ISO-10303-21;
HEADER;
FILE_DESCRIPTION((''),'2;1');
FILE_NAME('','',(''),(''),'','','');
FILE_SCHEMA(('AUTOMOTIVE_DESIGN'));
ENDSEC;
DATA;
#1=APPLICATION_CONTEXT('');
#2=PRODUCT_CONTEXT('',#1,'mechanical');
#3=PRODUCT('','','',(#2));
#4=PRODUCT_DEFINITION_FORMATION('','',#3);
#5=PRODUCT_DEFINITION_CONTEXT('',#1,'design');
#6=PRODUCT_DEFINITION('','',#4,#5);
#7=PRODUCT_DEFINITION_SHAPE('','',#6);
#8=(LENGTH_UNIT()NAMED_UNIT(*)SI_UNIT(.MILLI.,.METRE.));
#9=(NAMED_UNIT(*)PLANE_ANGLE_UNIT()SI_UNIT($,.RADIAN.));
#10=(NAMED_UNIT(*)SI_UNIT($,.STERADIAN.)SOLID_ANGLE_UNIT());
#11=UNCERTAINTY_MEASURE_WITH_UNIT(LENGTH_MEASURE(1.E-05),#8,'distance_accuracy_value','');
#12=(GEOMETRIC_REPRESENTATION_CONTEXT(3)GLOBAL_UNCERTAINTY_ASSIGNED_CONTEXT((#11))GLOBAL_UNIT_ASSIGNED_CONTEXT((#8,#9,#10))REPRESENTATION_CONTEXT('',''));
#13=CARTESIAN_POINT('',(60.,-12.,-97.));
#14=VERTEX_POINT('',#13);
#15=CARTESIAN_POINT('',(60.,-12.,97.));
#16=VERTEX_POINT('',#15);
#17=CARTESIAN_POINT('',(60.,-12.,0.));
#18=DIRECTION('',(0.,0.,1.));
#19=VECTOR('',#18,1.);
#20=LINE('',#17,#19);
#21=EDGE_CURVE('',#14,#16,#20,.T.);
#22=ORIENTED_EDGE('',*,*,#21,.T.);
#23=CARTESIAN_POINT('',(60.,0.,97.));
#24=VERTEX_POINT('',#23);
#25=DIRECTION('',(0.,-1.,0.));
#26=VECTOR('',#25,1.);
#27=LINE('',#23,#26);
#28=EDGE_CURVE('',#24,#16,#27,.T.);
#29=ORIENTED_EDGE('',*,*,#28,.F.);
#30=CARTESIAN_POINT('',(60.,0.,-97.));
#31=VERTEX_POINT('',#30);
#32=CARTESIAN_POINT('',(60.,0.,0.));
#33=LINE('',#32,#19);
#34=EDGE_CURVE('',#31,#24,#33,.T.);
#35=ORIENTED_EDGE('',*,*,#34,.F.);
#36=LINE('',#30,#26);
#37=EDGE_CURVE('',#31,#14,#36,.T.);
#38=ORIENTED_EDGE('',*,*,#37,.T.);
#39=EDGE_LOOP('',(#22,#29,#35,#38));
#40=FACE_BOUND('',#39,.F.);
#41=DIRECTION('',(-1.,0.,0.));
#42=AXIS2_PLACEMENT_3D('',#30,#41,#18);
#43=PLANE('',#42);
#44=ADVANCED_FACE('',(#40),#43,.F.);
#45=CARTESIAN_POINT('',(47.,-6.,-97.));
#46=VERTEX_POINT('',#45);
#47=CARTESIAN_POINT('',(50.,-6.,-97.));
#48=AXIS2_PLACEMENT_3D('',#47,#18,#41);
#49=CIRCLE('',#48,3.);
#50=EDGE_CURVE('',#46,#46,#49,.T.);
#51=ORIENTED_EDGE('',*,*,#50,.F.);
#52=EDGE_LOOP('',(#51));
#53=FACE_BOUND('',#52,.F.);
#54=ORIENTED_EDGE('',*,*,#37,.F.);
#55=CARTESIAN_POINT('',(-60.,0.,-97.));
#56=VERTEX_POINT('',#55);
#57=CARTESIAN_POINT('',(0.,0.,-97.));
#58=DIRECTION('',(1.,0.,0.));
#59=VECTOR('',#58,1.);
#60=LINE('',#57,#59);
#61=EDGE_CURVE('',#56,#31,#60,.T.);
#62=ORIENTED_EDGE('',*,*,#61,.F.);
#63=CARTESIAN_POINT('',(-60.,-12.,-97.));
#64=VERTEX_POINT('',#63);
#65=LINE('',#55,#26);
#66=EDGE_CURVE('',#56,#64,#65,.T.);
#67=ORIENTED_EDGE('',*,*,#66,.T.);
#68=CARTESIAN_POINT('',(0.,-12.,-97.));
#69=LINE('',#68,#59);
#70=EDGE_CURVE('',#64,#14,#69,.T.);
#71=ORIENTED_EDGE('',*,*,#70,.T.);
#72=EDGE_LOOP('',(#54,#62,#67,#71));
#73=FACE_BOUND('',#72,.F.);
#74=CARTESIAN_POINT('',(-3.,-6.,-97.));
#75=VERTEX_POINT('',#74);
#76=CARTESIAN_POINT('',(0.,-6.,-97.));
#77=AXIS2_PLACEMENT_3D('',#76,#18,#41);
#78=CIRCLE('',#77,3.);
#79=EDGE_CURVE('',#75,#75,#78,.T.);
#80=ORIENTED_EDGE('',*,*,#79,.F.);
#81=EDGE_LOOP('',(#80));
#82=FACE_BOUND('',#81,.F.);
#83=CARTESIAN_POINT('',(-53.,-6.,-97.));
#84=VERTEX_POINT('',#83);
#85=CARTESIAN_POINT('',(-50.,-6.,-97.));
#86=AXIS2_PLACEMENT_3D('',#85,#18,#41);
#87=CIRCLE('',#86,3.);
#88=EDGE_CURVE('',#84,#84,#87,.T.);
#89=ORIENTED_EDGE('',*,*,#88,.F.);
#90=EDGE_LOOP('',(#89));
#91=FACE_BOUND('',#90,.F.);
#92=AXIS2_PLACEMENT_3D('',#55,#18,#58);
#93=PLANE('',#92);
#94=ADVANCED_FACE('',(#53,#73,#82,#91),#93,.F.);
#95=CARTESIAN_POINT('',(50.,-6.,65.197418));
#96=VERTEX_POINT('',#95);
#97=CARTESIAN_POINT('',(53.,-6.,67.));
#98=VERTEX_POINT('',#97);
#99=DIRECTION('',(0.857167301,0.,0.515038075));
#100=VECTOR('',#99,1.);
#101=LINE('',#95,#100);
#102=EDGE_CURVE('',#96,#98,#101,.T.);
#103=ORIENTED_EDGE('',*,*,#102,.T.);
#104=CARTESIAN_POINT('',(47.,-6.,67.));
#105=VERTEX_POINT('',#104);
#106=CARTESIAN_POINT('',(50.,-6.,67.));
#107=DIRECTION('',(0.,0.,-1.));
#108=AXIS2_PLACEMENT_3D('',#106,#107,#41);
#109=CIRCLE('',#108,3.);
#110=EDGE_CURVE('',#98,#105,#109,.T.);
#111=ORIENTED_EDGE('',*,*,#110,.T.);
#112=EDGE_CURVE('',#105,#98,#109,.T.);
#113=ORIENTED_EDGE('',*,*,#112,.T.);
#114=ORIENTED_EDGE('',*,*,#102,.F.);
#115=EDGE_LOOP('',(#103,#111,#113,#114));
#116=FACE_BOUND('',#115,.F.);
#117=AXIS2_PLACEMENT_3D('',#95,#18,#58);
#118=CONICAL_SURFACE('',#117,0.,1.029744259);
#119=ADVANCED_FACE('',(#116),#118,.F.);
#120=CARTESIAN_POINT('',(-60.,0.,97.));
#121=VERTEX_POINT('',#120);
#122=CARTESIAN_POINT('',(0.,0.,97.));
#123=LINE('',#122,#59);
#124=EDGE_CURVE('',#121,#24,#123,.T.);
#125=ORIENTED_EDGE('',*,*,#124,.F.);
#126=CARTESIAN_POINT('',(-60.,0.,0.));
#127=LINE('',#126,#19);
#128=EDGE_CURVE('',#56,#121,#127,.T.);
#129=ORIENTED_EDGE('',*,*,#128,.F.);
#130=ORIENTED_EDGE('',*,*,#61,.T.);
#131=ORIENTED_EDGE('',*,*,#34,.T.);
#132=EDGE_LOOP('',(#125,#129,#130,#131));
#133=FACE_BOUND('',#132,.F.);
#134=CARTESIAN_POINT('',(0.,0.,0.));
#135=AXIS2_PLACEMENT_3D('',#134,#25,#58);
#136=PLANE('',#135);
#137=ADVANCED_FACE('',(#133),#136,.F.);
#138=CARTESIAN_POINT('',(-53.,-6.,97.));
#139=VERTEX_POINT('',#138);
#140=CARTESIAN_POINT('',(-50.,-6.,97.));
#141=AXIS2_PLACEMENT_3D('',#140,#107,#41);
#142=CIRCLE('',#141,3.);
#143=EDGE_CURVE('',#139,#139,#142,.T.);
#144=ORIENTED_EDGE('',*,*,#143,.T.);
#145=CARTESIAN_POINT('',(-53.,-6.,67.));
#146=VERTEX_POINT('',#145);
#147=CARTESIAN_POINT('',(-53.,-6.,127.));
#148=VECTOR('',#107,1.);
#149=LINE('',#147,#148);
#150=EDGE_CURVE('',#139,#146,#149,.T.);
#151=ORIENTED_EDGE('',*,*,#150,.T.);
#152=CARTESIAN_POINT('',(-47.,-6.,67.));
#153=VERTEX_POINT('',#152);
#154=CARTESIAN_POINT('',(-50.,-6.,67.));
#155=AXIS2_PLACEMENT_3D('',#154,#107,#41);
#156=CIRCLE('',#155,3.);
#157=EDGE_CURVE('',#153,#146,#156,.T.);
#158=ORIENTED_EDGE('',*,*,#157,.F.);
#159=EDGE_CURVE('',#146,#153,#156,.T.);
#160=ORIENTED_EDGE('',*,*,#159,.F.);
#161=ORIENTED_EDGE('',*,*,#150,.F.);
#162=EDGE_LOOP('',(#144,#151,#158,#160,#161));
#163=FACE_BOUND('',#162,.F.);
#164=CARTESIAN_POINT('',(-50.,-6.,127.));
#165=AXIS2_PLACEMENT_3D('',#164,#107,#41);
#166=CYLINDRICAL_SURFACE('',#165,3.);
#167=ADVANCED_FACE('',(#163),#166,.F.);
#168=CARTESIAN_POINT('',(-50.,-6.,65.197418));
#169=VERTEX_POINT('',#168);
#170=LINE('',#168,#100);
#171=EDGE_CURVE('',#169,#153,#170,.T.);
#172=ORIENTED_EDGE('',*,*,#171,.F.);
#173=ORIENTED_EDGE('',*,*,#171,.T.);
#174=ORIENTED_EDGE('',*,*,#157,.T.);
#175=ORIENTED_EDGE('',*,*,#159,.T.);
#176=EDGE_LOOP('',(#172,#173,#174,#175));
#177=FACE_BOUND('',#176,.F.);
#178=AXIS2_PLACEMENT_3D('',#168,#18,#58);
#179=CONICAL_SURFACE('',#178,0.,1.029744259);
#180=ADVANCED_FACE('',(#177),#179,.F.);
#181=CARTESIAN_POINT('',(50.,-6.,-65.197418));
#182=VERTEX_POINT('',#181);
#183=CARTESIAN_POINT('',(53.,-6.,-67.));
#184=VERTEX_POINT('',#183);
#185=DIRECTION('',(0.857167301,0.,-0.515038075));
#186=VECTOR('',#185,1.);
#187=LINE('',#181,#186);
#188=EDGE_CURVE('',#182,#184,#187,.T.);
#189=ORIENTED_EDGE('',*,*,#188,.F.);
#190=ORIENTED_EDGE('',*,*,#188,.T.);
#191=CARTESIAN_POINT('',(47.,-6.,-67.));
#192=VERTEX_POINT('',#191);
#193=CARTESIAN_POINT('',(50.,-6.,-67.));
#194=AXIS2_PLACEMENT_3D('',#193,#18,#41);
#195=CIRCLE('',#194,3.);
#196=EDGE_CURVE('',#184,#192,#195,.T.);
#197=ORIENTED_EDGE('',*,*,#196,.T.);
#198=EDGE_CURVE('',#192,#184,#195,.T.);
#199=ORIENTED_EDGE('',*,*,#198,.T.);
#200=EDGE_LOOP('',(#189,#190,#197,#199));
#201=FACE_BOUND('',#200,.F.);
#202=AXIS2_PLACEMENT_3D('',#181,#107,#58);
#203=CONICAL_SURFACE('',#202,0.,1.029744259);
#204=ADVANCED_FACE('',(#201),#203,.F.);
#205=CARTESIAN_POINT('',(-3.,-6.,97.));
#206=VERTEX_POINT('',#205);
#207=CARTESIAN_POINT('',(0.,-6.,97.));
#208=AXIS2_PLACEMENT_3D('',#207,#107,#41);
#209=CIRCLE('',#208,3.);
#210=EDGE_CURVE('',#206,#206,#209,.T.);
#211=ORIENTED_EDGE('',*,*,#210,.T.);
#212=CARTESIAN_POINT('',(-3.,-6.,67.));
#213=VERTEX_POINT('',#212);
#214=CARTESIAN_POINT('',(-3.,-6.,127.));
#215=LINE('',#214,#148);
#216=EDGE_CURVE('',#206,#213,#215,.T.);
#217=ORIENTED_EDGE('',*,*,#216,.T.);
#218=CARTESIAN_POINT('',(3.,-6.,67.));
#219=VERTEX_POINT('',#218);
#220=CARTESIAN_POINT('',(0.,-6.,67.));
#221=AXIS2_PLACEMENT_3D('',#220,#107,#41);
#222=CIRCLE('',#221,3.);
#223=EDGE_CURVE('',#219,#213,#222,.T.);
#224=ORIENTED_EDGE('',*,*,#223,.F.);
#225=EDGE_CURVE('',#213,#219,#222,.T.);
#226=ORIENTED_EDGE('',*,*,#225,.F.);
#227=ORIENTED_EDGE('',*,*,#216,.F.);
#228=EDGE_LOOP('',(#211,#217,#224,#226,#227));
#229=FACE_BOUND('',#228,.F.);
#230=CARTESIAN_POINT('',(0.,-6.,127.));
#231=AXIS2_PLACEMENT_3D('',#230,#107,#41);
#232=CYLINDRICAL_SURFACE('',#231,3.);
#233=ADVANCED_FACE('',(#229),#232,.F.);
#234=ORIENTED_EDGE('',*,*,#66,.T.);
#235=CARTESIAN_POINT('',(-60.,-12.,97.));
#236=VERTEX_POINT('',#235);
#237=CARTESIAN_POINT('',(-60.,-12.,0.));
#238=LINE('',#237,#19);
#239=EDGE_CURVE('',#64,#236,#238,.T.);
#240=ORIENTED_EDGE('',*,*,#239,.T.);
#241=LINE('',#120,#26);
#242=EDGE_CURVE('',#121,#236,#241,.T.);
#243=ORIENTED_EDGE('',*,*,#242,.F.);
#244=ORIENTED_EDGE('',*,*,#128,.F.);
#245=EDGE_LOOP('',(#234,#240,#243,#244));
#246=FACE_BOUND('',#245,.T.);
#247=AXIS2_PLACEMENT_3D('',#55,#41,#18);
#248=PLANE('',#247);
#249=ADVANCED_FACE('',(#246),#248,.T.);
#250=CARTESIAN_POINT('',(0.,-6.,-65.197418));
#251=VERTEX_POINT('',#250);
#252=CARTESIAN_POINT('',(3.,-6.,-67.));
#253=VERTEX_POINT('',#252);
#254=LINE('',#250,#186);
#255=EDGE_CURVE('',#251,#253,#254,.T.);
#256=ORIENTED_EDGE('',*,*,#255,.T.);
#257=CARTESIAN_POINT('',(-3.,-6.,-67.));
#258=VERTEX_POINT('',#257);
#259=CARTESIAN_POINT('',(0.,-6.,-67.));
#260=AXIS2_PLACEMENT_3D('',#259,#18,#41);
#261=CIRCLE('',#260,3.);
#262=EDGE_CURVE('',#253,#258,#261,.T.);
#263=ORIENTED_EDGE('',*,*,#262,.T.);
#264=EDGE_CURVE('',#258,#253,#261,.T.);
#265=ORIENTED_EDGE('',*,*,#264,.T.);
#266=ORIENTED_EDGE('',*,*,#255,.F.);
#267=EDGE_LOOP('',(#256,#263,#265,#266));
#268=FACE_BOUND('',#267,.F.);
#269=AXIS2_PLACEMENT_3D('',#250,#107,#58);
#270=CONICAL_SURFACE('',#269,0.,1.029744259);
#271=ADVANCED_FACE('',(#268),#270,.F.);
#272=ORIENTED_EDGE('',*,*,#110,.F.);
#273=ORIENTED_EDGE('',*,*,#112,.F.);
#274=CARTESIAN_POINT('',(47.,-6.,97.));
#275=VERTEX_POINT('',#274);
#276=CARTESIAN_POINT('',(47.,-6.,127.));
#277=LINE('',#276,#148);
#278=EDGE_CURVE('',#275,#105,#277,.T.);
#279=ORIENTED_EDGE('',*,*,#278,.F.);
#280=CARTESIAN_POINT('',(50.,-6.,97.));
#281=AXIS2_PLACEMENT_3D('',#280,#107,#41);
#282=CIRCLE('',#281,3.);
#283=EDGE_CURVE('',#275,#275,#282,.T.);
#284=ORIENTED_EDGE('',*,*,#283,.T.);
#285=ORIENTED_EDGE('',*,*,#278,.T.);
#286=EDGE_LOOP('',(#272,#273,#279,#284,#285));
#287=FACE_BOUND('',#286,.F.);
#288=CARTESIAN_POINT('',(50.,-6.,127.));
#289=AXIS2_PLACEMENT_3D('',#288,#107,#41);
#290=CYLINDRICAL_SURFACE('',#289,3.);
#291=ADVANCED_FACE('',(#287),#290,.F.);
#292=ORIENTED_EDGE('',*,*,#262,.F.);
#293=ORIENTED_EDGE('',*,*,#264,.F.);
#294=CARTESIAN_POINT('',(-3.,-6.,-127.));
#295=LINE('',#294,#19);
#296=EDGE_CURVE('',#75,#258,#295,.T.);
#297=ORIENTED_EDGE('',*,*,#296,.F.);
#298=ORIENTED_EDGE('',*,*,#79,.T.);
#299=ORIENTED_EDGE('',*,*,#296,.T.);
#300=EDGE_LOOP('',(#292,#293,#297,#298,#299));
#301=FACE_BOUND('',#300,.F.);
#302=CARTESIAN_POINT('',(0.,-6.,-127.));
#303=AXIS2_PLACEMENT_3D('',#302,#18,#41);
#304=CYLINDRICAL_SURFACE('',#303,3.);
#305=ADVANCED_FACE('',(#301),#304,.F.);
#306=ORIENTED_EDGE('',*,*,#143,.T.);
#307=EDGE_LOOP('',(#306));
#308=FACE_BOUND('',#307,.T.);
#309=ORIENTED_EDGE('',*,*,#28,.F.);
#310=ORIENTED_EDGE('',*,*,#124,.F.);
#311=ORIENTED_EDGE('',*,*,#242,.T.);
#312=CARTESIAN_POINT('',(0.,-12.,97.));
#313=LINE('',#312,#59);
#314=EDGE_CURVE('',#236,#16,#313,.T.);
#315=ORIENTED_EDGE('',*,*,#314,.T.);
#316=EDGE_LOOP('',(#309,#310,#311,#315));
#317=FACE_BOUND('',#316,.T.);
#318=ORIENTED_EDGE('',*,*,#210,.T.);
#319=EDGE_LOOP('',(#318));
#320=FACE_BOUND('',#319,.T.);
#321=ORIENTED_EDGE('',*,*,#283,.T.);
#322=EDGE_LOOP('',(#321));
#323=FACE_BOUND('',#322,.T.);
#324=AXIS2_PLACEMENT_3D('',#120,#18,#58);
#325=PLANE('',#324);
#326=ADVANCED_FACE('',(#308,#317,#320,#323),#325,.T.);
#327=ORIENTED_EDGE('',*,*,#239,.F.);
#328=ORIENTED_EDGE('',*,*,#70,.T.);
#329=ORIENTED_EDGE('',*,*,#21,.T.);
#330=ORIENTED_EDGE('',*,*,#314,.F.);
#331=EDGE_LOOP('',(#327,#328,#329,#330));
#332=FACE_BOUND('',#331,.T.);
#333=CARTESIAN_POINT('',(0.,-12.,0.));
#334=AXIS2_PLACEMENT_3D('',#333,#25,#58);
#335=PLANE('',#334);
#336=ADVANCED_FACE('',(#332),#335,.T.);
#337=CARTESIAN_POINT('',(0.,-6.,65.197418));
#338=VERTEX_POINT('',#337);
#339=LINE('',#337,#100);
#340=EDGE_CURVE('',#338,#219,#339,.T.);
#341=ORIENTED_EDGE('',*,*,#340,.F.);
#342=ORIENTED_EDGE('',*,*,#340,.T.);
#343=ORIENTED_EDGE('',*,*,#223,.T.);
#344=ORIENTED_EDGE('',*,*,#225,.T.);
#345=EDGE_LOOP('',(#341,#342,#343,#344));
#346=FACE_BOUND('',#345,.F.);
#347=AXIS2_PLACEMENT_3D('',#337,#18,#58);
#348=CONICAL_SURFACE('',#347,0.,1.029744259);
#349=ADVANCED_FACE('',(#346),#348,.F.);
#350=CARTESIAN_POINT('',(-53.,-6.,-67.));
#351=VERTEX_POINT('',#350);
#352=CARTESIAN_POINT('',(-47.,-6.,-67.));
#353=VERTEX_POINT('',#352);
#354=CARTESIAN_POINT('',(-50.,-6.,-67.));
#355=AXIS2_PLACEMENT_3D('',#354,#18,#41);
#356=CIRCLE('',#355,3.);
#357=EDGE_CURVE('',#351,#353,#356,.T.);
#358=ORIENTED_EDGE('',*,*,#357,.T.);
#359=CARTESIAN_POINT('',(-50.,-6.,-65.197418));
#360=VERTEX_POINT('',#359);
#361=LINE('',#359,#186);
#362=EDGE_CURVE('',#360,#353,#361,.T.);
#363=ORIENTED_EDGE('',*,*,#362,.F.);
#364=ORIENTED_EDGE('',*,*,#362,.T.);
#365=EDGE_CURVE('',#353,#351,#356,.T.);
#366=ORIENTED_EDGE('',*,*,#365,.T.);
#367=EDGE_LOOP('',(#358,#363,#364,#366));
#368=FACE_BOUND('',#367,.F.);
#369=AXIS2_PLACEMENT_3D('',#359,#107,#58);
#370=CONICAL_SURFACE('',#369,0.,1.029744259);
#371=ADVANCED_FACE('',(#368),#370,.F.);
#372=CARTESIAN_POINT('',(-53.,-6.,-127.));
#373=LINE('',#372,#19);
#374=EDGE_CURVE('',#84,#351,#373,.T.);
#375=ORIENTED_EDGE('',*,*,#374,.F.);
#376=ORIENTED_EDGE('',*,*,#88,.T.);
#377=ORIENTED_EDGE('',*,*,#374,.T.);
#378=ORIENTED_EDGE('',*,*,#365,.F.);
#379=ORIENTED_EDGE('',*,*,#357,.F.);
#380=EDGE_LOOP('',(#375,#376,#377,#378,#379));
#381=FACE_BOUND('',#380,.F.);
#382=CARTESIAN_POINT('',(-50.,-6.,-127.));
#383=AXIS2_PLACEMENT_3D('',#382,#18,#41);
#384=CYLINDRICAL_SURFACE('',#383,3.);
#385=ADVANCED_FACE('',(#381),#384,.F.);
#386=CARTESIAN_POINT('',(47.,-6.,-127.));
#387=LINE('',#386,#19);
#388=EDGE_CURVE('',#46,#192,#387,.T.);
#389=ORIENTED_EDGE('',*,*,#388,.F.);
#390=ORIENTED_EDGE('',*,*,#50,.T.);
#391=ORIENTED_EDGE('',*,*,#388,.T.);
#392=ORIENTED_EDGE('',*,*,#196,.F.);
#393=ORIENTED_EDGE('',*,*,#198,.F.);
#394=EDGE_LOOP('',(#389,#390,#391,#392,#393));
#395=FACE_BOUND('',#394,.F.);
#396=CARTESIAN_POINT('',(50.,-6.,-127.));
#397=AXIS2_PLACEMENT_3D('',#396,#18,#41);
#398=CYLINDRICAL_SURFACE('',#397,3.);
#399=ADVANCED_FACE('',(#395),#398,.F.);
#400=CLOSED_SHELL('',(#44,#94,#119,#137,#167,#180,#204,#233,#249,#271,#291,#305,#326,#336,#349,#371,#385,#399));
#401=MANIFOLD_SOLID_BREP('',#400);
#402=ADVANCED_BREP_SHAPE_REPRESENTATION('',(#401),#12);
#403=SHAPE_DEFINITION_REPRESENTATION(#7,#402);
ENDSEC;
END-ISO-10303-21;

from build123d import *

# Parameters (mm, degrees)
F0_W     = 120
F0_H     = 194
F1_DEPTH = 12
F3_D     = 6
F3_DEPTH = 30
F3_TIP   = 1.8025818571
F5_D     = 6
F5_DEPTH = 30
F5_TIP   = 1.8025818571


with BuildPart() as f1:
    # F0 (on Front) → F1 (new body)
    with BuildSketch(Plane.XZ):
        Rectangle(F0_W, F0_H)
    extrude(amount=F1_DEPTH)

    # F3
    with Locations(Plane.XY.offset(97)):
        with Locations((-50, -6), (0, -6), (50, -6)):
            Hole(F3_D / 2, depth=F3_DEPTH)
            with Locations((0, 0, -(F3_DEPTH + F3_TIP / 2))):  # 118° drill point
                Cone(0, F3_D / 2, F3_TIP, mode=Mode.SUBTRACT)

    # F5
    with Locations(Plane(origin=(0, 0, -97), x_dir=(1, 0, 0), z_dir=(0, 0, -1))):
        with Locations((-50, 6), (0, 6), (50, 6)):
            Hole(F5_D / 2, depth=F5_DEPTH)
            with Locations((0, 0, -(F5_DEPTH + F5_TIP / 2))):  # 118° drill point
                Cone(0, F5_D / 2, F5_TIP, mode=Mode.SUBTRACT)


solid = f1.part
